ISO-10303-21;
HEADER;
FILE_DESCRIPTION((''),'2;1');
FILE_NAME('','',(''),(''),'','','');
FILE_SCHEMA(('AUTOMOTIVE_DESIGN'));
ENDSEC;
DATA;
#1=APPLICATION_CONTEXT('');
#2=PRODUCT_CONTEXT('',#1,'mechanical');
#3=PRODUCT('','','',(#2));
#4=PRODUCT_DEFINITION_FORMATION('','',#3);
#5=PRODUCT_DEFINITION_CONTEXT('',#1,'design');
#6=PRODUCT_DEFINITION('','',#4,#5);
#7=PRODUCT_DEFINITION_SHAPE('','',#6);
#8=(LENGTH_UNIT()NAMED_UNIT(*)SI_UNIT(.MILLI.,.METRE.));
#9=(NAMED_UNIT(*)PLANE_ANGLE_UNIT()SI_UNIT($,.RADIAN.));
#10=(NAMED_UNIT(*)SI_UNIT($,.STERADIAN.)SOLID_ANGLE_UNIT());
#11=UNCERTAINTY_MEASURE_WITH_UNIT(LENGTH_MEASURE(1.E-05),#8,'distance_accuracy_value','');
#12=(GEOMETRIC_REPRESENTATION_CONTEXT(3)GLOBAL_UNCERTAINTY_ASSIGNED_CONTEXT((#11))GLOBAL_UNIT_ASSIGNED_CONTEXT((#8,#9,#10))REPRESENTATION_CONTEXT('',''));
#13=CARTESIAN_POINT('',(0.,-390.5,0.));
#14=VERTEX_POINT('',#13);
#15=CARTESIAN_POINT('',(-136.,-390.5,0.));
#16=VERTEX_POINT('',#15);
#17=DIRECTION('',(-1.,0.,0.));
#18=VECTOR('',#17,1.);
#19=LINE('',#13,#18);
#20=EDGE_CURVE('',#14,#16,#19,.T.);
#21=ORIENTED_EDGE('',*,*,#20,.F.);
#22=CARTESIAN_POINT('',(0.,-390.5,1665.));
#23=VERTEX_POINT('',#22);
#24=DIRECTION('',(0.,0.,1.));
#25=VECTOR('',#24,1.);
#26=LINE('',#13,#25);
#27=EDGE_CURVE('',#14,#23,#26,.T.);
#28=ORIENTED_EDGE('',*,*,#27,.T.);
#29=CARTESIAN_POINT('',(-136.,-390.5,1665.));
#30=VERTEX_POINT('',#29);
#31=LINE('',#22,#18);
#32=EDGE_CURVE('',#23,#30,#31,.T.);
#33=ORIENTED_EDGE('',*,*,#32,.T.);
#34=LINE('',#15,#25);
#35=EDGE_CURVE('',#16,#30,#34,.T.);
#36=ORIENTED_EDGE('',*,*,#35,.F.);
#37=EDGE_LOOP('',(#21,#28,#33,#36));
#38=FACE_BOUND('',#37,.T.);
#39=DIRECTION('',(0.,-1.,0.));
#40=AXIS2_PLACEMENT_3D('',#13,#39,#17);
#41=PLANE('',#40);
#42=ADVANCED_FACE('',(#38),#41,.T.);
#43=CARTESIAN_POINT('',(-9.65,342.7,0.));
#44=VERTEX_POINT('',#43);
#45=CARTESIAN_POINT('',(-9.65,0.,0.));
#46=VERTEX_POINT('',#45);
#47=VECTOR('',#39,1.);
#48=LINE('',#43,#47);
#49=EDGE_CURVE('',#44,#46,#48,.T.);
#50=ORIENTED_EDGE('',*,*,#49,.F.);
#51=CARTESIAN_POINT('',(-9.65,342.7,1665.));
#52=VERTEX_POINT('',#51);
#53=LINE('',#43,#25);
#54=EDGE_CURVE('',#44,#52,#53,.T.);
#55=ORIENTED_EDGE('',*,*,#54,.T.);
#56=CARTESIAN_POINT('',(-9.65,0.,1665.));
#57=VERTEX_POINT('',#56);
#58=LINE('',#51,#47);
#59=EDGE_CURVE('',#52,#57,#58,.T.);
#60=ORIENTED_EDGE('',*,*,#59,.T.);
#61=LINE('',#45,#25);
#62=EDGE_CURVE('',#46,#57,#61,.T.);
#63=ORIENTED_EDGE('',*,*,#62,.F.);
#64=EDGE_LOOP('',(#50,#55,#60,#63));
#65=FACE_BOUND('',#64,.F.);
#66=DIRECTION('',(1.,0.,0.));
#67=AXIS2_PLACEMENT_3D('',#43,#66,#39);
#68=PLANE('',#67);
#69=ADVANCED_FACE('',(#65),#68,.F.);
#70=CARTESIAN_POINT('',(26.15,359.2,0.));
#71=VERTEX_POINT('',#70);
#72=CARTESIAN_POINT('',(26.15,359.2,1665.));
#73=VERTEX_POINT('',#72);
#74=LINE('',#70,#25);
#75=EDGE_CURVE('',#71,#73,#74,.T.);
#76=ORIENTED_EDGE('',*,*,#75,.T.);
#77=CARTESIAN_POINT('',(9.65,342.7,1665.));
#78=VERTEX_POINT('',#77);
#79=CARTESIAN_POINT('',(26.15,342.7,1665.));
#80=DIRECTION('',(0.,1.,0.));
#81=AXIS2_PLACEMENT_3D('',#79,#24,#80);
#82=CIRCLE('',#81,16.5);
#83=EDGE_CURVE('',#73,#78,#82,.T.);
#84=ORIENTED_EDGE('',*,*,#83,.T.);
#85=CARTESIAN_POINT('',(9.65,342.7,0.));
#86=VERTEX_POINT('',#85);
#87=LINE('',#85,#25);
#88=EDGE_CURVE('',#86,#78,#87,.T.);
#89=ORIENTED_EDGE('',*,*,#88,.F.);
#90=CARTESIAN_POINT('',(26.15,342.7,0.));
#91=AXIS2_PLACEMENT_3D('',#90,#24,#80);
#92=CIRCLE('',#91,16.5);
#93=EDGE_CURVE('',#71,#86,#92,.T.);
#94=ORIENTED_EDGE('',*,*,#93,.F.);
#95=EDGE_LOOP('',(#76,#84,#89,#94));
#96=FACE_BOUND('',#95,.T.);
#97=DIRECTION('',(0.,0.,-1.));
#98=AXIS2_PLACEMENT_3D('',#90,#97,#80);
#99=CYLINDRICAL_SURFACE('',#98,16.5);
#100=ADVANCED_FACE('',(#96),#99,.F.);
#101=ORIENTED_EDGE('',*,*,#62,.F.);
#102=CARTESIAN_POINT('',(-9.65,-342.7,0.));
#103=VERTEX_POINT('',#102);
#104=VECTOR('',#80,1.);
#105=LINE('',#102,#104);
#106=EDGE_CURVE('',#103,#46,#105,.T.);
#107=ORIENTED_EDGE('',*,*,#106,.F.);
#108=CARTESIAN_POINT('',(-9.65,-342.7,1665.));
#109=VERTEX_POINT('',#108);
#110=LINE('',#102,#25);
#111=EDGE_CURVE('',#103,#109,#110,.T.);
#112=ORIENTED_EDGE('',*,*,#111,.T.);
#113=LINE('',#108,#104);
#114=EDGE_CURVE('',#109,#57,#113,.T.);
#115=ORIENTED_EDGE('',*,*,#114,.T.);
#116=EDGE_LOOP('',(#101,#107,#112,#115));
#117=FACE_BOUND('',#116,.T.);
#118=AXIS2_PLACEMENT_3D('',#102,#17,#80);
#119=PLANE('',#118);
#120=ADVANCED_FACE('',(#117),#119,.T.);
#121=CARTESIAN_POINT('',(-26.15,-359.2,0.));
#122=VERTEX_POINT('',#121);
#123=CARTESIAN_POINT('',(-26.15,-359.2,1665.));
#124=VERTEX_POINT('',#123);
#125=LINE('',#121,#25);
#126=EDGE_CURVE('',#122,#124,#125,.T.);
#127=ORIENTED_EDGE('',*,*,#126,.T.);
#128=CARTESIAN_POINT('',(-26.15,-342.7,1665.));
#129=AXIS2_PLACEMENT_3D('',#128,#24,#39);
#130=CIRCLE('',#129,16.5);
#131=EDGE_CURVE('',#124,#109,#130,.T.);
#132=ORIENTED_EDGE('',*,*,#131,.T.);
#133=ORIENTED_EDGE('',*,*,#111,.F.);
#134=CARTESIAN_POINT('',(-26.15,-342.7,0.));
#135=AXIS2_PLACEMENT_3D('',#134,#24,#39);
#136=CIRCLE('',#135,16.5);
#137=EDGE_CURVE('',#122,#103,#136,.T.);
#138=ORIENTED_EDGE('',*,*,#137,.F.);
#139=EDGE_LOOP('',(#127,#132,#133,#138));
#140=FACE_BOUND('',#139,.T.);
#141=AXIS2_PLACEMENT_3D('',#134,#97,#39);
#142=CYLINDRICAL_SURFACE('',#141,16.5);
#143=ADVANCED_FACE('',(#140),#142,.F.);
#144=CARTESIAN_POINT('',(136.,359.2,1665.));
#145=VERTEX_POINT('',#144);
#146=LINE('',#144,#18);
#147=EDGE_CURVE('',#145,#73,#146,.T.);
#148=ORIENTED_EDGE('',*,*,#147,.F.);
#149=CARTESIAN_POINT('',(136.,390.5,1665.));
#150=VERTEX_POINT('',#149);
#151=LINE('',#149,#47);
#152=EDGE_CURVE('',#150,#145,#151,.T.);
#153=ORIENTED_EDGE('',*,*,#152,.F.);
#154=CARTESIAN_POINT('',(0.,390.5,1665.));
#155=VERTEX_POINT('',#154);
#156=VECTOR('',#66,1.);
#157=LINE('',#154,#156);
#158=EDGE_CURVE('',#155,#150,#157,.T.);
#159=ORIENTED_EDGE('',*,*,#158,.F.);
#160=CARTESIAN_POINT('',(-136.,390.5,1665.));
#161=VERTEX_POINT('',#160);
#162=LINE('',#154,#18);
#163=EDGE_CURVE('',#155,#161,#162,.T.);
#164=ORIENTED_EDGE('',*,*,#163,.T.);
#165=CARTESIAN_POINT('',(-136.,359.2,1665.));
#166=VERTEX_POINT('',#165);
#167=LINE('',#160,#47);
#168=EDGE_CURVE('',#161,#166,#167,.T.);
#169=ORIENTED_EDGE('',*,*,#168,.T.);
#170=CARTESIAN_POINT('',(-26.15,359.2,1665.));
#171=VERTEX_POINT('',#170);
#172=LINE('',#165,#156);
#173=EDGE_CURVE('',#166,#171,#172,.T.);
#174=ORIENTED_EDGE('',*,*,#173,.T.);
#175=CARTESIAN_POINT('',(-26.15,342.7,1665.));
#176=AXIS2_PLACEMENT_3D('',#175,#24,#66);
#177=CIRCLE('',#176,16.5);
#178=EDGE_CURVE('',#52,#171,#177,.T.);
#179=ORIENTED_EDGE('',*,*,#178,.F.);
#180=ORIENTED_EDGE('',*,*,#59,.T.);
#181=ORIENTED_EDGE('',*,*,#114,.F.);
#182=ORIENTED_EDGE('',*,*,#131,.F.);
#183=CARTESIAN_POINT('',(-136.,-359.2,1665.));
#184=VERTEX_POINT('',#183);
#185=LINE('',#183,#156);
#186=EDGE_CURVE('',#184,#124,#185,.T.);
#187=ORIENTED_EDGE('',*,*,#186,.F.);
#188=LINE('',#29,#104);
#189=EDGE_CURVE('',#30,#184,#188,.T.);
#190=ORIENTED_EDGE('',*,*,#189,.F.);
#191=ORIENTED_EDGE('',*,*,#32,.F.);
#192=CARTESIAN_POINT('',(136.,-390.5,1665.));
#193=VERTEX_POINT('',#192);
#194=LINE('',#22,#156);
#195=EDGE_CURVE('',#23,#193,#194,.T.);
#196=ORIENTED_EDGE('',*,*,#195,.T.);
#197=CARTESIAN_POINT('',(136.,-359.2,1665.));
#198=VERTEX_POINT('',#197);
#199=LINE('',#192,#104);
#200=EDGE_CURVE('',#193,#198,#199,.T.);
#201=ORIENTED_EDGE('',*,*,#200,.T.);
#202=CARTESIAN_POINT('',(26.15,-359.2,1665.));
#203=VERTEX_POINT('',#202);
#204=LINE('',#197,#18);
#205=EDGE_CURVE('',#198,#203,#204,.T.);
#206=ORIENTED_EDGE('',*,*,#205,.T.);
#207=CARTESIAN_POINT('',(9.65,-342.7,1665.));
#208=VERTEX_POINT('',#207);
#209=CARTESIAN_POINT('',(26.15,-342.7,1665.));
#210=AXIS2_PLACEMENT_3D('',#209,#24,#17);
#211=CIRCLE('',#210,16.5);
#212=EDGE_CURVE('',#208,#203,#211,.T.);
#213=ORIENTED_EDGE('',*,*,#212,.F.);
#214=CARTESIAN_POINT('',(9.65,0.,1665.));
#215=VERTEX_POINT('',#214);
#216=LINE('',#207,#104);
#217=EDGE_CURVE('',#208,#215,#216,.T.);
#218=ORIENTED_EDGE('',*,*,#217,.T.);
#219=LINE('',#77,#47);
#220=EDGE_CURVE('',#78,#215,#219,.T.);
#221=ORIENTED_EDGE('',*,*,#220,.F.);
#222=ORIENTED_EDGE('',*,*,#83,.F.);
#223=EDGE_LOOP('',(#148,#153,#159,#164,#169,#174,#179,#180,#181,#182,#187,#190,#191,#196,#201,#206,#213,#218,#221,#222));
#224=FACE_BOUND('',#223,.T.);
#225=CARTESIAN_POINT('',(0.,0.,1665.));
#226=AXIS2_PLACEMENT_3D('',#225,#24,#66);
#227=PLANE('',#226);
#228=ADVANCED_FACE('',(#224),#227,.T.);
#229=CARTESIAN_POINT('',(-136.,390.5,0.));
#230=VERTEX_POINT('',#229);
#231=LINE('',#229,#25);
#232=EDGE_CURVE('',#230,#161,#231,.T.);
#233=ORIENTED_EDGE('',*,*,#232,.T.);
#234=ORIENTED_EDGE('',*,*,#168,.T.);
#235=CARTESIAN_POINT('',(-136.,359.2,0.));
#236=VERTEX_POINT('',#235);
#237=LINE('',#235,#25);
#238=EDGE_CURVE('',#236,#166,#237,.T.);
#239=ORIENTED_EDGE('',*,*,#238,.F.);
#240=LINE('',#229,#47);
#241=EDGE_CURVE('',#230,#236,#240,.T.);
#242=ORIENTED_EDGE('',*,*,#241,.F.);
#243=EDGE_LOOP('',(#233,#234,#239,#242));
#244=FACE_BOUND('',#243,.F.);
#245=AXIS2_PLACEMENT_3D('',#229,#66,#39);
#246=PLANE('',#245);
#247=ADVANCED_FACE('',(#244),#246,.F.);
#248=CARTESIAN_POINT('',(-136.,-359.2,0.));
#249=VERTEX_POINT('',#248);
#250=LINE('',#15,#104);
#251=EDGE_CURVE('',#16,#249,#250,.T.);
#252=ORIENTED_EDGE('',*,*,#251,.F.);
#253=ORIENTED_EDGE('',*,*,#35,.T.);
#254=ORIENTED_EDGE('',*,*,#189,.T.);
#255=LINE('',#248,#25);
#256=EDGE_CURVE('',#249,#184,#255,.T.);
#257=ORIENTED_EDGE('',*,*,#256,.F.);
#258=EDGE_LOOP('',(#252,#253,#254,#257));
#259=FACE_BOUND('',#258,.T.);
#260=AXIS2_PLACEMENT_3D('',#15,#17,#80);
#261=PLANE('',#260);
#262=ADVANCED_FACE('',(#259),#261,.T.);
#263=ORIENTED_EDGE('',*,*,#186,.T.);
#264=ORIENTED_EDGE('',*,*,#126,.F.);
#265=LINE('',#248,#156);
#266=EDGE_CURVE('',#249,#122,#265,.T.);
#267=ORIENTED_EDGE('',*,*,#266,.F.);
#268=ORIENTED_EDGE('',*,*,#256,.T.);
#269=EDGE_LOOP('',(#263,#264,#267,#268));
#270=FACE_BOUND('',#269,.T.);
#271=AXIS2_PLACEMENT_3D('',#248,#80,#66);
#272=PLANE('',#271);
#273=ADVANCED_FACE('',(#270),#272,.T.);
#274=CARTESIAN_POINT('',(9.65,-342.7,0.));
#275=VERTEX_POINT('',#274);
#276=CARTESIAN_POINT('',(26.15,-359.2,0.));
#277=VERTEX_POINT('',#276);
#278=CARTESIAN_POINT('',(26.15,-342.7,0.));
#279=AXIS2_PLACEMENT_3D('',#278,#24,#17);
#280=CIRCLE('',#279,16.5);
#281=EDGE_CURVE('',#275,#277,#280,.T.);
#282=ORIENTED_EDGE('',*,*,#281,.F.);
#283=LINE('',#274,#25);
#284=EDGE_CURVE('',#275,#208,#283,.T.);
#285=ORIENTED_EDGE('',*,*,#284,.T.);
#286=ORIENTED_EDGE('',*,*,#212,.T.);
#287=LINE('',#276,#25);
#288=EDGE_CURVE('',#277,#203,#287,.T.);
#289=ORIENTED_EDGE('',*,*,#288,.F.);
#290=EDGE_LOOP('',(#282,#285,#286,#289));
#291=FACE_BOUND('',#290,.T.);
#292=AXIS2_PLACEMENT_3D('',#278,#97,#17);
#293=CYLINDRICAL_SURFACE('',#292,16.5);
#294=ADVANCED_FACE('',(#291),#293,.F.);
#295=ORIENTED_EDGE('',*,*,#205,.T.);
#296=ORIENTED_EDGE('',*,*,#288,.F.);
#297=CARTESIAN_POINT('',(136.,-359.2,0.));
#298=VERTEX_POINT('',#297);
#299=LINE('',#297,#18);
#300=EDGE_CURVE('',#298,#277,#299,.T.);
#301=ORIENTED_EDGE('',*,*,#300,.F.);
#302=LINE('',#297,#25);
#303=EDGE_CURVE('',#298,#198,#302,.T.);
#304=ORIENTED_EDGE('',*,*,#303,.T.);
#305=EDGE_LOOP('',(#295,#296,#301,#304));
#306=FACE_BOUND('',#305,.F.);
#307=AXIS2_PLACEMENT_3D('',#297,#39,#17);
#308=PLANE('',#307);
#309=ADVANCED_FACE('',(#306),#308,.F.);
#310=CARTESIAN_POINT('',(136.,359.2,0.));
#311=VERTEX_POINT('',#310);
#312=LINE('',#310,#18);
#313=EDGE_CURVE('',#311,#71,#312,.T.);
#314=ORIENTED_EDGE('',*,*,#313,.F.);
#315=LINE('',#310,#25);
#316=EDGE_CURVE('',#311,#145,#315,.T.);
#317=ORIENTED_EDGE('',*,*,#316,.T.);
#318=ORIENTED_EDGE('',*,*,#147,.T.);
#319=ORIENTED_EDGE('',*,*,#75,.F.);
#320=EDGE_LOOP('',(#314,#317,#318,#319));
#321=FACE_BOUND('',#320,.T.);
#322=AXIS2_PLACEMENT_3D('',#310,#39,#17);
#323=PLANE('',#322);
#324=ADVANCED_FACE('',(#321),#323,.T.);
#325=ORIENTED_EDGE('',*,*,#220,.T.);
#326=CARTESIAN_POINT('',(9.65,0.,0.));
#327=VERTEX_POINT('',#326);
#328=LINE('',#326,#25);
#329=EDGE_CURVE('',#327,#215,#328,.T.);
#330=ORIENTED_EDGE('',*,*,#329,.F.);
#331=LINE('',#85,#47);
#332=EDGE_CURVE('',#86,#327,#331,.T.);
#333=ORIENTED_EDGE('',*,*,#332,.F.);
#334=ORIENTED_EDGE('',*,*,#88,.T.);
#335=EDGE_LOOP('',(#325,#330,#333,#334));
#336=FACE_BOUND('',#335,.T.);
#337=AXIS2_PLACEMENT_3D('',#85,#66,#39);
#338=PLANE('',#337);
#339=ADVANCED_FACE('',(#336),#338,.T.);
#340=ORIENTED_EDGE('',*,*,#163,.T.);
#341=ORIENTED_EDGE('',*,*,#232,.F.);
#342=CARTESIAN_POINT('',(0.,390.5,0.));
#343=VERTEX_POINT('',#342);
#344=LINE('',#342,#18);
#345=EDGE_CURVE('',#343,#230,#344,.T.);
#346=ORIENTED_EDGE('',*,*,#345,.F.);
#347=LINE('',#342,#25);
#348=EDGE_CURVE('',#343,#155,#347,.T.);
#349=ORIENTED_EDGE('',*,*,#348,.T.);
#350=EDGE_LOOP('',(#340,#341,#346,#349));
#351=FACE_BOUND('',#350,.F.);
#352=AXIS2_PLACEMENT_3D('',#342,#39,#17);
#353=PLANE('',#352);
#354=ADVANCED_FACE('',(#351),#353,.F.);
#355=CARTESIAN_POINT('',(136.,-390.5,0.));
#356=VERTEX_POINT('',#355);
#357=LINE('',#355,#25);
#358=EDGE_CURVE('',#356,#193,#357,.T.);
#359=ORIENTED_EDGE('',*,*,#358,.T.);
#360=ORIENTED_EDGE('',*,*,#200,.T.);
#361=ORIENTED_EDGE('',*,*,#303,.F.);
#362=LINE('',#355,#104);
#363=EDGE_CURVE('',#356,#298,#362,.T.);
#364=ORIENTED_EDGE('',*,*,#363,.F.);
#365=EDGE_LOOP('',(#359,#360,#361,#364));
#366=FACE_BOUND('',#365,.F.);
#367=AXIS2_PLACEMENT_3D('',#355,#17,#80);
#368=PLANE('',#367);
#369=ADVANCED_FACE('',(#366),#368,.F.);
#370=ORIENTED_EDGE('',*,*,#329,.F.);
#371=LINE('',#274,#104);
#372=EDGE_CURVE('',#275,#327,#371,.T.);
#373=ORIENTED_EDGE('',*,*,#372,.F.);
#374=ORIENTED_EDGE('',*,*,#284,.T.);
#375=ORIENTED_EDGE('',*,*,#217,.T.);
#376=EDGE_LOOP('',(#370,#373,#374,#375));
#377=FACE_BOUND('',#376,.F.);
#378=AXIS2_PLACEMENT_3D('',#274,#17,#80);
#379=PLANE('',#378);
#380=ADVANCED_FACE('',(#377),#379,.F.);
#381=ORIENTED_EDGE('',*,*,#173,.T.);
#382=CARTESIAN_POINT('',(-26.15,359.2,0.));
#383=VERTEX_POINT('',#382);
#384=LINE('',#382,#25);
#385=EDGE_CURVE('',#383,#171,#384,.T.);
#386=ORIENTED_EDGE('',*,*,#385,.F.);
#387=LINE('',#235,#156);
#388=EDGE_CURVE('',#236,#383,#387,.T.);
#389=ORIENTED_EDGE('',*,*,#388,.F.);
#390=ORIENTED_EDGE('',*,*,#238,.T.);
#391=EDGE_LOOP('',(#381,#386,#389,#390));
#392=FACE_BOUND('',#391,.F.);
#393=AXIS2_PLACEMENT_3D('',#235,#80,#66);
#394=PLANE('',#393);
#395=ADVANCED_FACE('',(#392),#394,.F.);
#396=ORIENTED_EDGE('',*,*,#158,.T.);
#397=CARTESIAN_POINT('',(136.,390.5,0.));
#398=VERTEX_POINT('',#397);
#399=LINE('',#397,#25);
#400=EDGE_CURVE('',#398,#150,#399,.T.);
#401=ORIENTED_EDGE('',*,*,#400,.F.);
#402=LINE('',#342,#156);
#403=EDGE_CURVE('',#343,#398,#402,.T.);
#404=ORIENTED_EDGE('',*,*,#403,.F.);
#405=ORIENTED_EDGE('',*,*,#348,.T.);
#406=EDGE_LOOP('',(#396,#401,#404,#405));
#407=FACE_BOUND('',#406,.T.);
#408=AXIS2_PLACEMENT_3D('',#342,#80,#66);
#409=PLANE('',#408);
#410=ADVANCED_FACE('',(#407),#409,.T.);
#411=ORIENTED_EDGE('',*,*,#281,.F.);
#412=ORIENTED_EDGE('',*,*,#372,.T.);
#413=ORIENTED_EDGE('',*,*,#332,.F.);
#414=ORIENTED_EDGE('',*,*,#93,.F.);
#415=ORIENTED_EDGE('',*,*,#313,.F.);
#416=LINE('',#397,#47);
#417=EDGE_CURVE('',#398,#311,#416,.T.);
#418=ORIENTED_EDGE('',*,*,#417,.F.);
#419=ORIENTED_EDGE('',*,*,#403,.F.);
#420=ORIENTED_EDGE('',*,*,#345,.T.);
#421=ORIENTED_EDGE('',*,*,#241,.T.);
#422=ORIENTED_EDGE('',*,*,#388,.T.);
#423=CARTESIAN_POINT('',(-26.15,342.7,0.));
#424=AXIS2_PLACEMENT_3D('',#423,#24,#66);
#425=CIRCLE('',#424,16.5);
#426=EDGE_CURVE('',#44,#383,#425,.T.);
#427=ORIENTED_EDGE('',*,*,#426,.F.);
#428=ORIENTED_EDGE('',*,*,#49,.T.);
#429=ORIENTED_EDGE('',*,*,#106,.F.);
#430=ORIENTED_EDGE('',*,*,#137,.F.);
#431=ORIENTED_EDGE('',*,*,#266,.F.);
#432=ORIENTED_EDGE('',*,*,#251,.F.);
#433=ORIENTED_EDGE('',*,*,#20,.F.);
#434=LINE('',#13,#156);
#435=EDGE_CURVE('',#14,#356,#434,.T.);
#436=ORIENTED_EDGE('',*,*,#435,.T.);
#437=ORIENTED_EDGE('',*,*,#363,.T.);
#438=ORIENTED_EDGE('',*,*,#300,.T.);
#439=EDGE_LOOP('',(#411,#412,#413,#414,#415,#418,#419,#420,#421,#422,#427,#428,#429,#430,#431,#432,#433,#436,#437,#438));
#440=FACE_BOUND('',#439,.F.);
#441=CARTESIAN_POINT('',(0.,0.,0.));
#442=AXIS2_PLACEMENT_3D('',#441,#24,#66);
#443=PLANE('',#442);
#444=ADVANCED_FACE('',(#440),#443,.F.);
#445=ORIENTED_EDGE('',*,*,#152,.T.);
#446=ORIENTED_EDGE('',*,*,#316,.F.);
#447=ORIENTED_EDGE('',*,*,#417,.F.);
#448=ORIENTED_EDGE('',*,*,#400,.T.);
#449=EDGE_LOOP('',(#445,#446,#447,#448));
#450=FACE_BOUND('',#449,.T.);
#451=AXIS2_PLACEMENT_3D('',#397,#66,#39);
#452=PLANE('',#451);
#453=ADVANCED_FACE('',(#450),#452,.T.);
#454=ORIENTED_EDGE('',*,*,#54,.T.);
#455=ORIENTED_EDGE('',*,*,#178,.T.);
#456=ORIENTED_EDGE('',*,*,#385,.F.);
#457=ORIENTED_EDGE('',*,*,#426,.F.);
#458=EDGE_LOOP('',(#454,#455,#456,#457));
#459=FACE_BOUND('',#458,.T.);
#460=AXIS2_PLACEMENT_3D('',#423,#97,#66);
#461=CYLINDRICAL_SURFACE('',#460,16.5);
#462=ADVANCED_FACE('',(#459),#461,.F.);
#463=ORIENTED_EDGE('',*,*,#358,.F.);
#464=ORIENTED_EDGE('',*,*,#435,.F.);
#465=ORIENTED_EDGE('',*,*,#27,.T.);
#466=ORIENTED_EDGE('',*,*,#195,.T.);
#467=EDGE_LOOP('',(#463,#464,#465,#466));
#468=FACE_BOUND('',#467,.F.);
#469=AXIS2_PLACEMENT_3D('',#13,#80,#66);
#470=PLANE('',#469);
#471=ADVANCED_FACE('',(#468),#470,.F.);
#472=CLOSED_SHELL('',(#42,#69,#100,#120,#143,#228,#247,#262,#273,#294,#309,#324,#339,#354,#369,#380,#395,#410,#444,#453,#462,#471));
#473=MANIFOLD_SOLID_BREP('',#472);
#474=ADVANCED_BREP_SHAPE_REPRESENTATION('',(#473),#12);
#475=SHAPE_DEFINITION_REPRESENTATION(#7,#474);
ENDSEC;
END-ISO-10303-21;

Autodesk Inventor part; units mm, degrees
ref_plane "YZ Plane" through (0, 0, 0) normal (1, 0, 0) x (0, 1, 0)
ref_plane "Start plane" through (0, 0, 0) normal (0, 0, 1) x (1, 0, 0)
ref_plane "End plane" through (0, 0, 1665) normal (0, 0, 1) x (1, 0, 0)
sketch "Sketch" plane through (0, 0, 0) normal (0, 0, 1) x (1, 0, 0)
  line L0 (-136, -390.5) -> (-136, -359.2)
  line L1 (-136, -359.2) -> (-26.15, -359.2)
  line L2 (-9.65, -342.7) -> (-9.65, 0)
  line L3 (-9.65, 0) -> (0, 0) construction
  line L4 (0, 0) -> (0, -390.5) construction
  line L5 (0, -390.5) -> (-136, -390.5)
  line L6 (-60, 0) -> (80, 0) construction
  line L7 (0, -60) -> (0, 80) construction
  line L8 (136, -390.5) -> (136, -359.2)
  line L9 (136, -359.2) -> (26.15, -359.2)
  line L10 (9.65, -342.7) -> (9.65, 0)
  line L11 (9.65, 0) -> (0, 0) construction
  line L12 (0, -390.5) -> (136, -390.5)
  line L13 (-136, 390.5) -> (-136, 359.2)
  line L14 (-136, 359.2) -> (-26.15, 359.2)
  line L15 (-9.65, 342.7) -> (-9.65, 0)
  line L16 (0, 390.5) -> (-136, 390.5)
  line L17 (136, 390.5) -> (136, 359.2)
  line L18 (136, 359.2) -> (26.15, 359.2)
  line L19 (0, 390.5) -> (136, 390.5)
  line L20 (9.65, 342.7) -> (9.65, 0)
  arc A0 (-9.65, 342.7) -> (-26.15, 359.2) centre (-26.15, 342.7) ccw
  arc A1 (26.15, 359.2) -> (9.65, 342.7) centre (26.15, 342.7) ccw
  arc A2 (9.65, -342.7) -> (26.15, -359.2) centre (26.15, -342.7) ccw
  arc A3 (-26.15, -359.2) -> (-9.65, -342.7) centre (-26.15, -342.7) ccw
  line L21 (0, 108) -> (0, -88) construction
  line L22 (-88, 0) -> (108, 0) construction
  point P0 (-9.65, -359.2)
  point P1 (9.65, -359.2)
  point P2 (-9.65, 359.2)
  point P3 (9.65, 359.2)
  dimension "d1" = 390.5
  dimension "d2" = 31.3
  dimension "d3" = 136
  dimension "d4" = 9.65
  dimension "d10" = 16.5
extrude "Body" add sketch "Sketch" along normal up to surface (1665 mm away) from surface at 0
sketch "Sketch4" plane through (0, 0, 0) normal (0, 0, 1) x (1, 0, 0)
  line L0 (0, 0) -> (10, 0)
ref_plane "Work Plane3" through (0, 0, 0) normal (0, -1, 0) x (1, 0, 0)
sketch "Sketch5" plane through (0, 0, 0) normal (0, -1, 0) x (1, 0, 0)
  line L0 (-2, 0) -> (12, 0) projected
  line L1 (-2, 1665) -> (12, 1665) projected
  dimension "d14" = 1665
equation "\"d1\" = 0.5 * G_H"
equation "\"d2\" = G_T1"
equation "\"d3\" = 0.5 * G_W"
equation "\"d4\" = 0.5 * G_T"
equation "\"d10\" = G_IR"
equation "\"d5\" = G_L"
equation "\"G_W\" = 272"
equation "\"G_H\" = 781"
equation "\"G_T\" = 19.3"
equation "\"G_T1\" = 31.3"
equation "\"G_IR\" = 16.5"
equation "\"G_L\" = d14"
equation "\"G_OFFSET_START\" = 0"
equation "\"G_OFFSET_END\" = 0"
equation "\"d12\" = G_OFFSET_END + B_L"
equation "\"B_L\" = 1665"
properties part number "AS 3679-1990 - 760 UB - 244 - 1665" material "Steel, Mild"
